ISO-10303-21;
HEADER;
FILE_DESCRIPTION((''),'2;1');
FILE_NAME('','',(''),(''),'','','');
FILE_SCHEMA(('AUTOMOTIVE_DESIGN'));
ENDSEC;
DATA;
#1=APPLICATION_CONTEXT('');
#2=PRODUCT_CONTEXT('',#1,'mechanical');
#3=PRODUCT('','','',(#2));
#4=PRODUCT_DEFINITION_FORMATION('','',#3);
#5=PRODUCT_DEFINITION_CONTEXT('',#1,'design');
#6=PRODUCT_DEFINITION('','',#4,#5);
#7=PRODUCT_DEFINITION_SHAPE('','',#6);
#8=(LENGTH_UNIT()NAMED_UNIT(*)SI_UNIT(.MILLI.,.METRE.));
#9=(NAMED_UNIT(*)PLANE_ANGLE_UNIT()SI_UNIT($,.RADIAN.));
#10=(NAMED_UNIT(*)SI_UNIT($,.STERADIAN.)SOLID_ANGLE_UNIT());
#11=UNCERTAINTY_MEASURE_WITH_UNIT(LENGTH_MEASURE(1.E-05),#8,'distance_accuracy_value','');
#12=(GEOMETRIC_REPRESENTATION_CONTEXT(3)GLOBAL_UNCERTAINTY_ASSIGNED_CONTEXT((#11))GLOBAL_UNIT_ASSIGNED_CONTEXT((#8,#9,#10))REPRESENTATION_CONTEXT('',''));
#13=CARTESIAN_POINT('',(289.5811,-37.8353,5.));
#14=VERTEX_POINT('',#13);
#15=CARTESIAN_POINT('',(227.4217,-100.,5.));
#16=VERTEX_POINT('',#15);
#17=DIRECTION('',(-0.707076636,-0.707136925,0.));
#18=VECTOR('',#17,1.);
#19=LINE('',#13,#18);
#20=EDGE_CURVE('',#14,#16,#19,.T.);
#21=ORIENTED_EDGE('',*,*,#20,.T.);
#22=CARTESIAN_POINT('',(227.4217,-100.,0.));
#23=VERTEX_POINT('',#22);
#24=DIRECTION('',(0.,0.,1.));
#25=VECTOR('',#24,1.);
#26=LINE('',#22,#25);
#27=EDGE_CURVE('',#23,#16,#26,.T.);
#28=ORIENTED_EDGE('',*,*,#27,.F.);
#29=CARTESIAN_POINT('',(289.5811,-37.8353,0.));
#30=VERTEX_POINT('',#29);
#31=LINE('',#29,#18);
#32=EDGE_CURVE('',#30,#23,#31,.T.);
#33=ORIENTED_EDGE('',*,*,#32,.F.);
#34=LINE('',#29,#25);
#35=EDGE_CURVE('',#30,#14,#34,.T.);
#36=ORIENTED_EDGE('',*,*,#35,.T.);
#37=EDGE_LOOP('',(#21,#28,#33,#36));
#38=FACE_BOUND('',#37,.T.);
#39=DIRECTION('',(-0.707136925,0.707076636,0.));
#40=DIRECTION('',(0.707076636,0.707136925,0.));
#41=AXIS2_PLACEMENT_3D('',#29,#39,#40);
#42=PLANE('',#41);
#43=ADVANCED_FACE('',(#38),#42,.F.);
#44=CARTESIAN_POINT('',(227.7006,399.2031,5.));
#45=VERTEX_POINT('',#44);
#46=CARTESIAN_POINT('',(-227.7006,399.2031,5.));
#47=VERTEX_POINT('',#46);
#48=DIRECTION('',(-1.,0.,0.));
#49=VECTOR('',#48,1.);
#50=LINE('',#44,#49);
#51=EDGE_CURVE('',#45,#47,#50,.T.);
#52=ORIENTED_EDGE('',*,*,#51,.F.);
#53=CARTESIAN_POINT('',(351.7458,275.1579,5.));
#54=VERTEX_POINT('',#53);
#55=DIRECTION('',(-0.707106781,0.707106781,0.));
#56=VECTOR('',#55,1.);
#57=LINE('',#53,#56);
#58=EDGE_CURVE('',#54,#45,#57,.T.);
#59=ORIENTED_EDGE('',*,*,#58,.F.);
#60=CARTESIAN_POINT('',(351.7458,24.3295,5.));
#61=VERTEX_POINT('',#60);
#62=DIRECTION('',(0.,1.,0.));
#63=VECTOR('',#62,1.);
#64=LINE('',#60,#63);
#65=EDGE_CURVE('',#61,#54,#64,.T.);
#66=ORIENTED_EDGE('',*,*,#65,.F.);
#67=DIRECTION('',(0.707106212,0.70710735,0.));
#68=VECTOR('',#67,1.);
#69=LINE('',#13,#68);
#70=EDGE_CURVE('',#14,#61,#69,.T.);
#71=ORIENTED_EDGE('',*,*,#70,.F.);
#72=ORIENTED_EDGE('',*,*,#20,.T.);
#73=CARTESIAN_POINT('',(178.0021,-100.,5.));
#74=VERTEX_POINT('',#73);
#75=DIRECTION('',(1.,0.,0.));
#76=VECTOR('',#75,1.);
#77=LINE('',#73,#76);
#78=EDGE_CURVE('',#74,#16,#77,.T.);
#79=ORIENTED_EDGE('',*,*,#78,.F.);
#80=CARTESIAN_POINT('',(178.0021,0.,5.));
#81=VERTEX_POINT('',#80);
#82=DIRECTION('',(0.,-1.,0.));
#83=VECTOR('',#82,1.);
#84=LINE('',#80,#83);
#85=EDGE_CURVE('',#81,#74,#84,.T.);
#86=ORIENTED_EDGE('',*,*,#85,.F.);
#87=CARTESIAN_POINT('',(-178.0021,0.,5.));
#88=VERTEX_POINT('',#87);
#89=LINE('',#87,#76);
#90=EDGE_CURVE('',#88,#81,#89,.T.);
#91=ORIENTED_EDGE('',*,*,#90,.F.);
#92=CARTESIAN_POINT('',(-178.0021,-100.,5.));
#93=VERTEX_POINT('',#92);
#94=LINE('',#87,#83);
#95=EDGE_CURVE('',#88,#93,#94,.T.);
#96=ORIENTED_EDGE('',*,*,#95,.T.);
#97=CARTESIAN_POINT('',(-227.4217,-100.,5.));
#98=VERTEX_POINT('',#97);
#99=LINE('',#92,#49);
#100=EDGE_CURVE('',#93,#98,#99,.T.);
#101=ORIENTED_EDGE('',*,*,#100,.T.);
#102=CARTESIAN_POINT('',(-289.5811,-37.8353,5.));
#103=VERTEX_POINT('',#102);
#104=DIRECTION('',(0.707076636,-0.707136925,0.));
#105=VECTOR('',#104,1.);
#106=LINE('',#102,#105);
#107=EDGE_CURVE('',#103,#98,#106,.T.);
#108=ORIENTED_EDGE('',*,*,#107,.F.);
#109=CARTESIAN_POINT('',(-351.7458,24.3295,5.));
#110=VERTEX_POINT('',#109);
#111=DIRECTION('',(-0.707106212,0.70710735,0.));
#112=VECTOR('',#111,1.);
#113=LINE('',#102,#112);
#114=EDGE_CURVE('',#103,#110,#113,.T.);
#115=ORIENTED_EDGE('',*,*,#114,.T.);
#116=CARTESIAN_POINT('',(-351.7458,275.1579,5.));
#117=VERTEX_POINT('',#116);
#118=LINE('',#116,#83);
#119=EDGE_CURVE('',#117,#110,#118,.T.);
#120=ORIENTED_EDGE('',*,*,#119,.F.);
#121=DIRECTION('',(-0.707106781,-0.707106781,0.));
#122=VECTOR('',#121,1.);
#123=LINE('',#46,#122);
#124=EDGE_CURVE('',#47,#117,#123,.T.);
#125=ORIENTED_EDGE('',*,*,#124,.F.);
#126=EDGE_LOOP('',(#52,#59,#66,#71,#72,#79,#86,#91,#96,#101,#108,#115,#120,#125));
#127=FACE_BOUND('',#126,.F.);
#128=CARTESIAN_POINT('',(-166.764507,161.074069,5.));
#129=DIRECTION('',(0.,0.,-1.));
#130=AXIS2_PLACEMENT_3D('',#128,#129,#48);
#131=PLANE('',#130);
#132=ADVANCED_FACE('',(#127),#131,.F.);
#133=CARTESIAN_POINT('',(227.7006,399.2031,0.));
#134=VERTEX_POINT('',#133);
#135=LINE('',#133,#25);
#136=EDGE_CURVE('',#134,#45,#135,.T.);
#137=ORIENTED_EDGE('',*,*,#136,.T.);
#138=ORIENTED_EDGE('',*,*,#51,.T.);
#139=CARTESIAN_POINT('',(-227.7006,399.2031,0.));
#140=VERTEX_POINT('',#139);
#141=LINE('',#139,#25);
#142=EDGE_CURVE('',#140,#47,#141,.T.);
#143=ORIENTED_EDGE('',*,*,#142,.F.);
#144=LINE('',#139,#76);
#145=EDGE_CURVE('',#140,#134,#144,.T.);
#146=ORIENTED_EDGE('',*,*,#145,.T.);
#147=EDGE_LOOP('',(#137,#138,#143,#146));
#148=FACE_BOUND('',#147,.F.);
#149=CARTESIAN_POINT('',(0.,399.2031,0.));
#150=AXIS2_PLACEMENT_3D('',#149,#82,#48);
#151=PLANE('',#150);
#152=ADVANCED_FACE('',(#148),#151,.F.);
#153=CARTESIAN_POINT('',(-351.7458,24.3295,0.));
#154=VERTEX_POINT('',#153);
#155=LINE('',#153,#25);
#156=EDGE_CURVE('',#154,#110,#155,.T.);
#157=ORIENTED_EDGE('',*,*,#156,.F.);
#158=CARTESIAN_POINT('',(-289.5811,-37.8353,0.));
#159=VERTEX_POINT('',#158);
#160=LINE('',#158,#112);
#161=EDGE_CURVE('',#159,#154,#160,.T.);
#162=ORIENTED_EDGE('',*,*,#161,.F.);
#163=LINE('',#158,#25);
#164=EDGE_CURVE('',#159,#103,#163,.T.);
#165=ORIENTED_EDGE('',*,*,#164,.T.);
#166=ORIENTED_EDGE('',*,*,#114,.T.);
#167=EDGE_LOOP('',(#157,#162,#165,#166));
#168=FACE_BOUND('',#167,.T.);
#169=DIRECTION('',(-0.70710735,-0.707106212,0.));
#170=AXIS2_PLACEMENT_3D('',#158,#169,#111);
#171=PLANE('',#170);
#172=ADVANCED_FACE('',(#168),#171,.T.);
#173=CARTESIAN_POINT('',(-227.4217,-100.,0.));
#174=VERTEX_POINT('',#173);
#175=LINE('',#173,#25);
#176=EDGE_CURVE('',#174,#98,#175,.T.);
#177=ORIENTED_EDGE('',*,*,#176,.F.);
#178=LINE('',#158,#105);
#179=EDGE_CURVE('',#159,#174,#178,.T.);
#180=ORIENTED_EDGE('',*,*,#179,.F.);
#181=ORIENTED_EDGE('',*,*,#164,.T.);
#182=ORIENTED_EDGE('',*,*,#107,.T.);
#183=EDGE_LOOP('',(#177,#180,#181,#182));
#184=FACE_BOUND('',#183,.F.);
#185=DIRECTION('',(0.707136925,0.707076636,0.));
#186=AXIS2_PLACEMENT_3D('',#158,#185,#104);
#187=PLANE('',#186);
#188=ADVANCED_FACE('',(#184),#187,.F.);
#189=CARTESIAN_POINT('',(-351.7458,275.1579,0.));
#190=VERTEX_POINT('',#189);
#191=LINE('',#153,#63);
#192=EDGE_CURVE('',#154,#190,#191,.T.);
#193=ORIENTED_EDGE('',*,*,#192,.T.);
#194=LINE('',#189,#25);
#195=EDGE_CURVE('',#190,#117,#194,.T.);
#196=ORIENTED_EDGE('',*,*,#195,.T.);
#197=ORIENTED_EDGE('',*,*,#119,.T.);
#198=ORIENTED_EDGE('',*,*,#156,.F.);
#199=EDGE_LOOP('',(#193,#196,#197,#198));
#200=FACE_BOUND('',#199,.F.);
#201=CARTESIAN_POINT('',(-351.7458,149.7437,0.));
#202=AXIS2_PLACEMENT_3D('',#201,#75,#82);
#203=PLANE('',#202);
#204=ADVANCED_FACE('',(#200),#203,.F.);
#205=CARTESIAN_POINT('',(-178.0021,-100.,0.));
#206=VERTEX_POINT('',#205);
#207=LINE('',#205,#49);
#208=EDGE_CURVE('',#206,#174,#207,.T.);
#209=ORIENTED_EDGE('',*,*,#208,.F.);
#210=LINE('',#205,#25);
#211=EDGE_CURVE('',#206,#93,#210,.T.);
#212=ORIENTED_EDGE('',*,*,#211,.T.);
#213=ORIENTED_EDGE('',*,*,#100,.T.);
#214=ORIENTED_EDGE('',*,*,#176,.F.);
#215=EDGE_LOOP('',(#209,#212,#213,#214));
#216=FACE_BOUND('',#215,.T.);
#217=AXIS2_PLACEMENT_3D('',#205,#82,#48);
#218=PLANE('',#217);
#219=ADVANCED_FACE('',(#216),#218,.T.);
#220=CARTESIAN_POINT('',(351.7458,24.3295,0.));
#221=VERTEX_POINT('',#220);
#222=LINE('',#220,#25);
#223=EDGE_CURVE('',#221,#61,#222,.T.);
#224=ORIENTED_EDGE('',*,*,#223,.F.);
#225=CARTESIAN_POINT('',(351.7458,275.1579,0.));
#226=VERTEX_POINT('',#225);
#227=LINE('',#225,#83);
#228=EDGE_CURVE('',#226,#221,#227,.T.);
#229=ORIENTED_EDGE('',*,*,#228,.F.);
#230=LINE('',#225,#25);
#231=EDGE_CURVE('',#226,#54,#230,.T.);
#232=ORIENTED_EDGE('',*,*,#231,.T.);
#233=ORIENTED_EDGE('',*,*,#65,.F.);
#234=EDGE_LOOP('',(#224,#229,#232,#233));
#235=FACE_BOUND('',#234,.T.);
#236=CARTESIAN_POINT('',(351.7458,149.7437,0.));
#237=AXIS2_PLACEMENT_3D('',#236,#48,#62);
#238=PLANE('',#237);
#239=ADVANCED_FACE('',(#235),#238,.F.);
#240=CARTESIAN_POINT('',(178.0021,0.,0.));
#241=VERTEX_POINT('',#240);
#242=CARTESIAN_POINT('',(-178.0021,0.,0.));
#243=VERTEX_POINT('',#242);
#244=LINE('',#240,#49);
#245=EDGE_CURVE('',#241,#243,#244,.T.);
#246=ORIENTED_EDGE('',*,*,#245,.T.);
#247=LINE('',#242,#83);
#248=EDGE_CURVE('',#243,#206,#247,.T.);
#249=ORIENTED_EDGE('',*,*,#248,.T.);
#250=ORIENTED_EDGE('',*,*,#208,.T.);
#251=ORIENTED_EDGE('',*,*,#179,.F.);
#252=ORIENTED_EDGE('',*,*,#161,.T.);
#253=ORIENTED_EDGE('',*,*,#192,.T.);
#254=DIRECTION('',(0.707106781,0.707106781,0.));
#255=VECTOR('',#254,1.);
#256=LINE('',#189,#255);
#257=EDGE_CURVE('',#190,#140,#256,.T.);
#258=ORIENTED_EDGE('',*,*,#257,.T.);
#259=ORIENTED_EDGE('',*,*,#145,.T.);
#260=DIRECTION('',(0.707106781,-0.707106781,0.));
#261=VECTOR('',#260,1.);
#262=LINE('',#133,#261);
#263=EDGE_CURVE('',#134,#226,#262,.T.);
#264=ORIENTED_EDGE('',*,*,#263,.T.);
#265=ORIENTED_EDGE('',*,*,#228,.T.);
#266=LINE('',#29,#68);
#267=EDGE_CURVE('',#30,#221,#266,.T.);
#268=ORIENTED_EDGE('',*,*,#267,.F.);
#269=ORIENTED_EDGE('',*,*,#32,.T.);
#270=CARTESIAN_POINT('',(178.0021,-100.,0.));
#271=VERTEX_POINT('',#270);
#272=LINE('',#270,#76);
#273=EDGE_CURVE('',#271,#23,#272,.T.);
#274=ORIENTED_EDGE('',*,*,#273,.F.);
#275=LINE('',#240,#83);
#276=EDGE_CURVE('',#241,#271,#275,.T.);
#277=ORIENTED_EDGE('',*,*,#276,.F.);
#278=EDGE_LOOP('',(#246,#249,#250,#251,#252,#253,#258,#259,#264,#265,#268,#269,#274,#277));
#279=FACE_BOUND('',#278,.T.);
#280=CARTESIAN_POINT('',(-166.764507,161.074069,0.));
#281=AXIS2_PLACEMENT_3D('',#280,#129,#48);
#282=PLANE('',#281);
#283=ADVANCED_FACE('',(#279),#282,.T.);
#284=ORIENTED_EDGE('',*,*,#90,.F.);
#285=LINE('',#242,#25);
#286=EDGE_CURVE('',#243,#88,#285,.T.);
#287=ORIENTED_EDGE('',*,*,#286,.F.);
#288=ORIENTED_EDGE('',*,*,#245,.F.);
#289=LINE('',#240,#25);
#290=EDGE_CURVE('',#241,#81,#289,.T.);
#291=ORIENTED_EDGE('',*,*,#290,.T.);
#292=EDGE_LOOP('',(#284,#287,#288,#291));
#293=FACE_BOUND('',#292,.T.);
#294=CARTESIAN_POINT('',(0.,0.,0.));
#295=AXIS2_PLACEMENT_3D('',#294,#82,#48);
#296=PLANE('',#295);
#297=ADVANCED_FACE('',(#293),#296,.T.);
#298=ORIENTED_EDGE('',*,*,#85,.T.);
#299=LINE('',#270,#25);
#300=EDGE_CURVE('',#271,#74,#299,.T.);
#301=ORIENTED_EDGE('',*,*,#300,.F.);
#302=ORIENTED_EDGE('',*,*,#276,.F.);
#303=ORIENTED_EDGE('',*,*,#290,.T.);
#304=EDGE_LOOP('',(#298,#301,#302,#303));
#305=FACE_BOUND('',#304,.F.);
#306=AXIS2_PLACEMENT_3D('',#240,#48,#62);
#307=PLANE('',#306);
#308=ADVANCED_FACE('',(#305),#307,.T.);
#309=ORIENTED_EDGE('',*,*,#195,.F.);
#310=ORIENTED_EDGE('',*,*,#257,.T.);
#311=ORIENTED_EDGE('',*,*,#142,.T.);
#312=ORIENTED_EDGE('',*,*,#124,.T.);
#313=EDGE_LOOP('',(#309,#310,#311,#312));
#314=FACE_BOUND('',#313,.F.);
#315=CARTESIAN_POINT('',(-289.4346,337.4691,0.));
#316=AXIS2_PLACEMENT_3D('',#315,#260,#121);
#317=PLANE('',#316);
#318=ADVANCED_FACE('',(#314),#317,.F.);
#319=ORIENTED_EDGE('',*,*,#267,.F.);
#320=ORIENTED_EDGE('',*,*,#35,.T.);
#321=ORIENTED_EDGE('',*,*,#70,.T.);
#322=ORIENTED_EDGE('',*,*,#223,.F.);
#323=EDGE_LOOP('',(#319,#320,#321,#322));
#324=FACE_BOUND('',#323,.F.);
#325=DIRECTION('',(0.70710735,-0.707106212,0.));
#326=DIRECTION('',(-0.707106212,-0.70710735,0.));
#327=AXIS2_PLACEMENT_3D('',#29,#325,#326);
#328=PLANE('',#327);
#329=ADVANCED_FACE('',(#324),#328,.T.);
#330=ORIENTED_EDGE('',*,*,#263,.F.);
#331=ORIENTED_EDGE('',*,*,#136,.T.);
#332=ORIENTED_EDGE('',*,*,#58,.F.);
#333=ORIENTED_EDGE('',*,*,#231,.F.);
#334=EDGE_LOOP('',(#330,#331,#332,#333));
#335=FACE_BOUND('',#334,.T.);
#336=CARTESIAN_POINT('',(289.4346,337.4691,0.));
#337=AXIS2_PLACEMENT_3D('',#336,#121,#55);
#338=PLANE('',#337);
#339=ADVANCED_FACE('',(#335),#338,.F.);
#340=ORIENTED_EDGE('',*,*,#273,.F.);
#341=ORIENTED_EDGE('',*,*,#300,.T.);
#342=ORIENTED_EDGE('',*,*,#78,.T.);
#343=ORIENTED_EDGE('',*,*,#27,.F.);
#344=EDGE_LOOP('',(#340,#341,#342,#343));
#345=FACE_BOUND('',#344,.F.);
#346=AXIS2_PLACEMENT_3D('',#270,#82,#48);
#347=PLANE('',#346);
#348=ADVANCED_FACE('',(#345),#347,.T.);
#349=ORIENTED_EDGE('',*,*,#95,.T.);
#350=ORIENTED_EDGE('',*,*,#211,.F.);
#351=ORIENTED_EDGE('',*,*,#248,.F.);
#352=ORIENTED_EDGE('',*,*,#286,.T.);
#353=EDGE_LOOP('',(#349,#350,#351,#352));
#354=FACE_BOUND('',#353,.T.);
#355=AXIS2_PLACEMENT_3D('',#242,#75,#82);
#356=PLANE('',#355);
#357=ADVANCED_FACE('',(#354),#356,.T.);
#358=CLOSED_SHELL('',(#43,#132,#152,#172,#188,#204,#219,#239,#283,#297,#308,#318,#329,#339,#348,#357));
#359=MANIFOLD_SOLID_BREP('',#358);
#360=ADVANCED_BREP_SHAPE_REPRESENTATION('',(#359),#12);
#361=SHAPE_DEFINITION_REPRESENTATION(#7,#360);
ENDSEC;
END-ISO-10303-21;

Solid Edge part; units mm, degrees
sketch "Sketch1" plane through (0, 0, 0) normal (0, 0, 1) x (1, 0, 0)
  line L0 (-178.0021, -100) -> (-227.4217, -100)
  line L1 (-289.5811, -37.8353) -> (-227.4217, -100)
  line L2 (-289.5811, -37.8353) -> (-351.7458, 24.3295)
  line L3 (-351.7458, 149.7437) -> (-351.7458, 24.3295)
  line L4 (-351.7458, 149.7437) -> (-351.7458, 275.1579)
  line L5 (-289.4346, 337.4691) -> (-351.7458, 275.1579)
  line L6 (-289.4346, 337.4691) -> (-227.7006, 399.2031)
  line L7 (0, 399.2031) -> (-227.7006, 399.2031)
  line L8 (0, 399.2031) -> (0, 0)
  line L9 (0, 0) -> (-178.0021, 0)
  line L10 (-178.0021, 0) -> (-178.0021, -100)
  dimension "D1" = 178.0021
  dimension "D2" = 351.7458
  dimension "D3" = 227.7006
  dimension "D4" = 100
  dimension "D5" = 49.4196
  dimension "D6" = 87.3051
  dimension "D7" = 88.1213
  dimension "D8" = 125.4142
  dimension "D9" = 125.4142
  dimension "D10" = 87.9142
  dimension "D11" = 87.9104
  dimension "D12" = 499.2031
extrude "Protrusion1" add sketch "Sketch1" along normal blind 5
mirror "Mirror1" about plane through (0, 0, 0) normal (1, 0, 0) of "Protrusion1"
properties material "ABS-Plastik, mittelfest"
